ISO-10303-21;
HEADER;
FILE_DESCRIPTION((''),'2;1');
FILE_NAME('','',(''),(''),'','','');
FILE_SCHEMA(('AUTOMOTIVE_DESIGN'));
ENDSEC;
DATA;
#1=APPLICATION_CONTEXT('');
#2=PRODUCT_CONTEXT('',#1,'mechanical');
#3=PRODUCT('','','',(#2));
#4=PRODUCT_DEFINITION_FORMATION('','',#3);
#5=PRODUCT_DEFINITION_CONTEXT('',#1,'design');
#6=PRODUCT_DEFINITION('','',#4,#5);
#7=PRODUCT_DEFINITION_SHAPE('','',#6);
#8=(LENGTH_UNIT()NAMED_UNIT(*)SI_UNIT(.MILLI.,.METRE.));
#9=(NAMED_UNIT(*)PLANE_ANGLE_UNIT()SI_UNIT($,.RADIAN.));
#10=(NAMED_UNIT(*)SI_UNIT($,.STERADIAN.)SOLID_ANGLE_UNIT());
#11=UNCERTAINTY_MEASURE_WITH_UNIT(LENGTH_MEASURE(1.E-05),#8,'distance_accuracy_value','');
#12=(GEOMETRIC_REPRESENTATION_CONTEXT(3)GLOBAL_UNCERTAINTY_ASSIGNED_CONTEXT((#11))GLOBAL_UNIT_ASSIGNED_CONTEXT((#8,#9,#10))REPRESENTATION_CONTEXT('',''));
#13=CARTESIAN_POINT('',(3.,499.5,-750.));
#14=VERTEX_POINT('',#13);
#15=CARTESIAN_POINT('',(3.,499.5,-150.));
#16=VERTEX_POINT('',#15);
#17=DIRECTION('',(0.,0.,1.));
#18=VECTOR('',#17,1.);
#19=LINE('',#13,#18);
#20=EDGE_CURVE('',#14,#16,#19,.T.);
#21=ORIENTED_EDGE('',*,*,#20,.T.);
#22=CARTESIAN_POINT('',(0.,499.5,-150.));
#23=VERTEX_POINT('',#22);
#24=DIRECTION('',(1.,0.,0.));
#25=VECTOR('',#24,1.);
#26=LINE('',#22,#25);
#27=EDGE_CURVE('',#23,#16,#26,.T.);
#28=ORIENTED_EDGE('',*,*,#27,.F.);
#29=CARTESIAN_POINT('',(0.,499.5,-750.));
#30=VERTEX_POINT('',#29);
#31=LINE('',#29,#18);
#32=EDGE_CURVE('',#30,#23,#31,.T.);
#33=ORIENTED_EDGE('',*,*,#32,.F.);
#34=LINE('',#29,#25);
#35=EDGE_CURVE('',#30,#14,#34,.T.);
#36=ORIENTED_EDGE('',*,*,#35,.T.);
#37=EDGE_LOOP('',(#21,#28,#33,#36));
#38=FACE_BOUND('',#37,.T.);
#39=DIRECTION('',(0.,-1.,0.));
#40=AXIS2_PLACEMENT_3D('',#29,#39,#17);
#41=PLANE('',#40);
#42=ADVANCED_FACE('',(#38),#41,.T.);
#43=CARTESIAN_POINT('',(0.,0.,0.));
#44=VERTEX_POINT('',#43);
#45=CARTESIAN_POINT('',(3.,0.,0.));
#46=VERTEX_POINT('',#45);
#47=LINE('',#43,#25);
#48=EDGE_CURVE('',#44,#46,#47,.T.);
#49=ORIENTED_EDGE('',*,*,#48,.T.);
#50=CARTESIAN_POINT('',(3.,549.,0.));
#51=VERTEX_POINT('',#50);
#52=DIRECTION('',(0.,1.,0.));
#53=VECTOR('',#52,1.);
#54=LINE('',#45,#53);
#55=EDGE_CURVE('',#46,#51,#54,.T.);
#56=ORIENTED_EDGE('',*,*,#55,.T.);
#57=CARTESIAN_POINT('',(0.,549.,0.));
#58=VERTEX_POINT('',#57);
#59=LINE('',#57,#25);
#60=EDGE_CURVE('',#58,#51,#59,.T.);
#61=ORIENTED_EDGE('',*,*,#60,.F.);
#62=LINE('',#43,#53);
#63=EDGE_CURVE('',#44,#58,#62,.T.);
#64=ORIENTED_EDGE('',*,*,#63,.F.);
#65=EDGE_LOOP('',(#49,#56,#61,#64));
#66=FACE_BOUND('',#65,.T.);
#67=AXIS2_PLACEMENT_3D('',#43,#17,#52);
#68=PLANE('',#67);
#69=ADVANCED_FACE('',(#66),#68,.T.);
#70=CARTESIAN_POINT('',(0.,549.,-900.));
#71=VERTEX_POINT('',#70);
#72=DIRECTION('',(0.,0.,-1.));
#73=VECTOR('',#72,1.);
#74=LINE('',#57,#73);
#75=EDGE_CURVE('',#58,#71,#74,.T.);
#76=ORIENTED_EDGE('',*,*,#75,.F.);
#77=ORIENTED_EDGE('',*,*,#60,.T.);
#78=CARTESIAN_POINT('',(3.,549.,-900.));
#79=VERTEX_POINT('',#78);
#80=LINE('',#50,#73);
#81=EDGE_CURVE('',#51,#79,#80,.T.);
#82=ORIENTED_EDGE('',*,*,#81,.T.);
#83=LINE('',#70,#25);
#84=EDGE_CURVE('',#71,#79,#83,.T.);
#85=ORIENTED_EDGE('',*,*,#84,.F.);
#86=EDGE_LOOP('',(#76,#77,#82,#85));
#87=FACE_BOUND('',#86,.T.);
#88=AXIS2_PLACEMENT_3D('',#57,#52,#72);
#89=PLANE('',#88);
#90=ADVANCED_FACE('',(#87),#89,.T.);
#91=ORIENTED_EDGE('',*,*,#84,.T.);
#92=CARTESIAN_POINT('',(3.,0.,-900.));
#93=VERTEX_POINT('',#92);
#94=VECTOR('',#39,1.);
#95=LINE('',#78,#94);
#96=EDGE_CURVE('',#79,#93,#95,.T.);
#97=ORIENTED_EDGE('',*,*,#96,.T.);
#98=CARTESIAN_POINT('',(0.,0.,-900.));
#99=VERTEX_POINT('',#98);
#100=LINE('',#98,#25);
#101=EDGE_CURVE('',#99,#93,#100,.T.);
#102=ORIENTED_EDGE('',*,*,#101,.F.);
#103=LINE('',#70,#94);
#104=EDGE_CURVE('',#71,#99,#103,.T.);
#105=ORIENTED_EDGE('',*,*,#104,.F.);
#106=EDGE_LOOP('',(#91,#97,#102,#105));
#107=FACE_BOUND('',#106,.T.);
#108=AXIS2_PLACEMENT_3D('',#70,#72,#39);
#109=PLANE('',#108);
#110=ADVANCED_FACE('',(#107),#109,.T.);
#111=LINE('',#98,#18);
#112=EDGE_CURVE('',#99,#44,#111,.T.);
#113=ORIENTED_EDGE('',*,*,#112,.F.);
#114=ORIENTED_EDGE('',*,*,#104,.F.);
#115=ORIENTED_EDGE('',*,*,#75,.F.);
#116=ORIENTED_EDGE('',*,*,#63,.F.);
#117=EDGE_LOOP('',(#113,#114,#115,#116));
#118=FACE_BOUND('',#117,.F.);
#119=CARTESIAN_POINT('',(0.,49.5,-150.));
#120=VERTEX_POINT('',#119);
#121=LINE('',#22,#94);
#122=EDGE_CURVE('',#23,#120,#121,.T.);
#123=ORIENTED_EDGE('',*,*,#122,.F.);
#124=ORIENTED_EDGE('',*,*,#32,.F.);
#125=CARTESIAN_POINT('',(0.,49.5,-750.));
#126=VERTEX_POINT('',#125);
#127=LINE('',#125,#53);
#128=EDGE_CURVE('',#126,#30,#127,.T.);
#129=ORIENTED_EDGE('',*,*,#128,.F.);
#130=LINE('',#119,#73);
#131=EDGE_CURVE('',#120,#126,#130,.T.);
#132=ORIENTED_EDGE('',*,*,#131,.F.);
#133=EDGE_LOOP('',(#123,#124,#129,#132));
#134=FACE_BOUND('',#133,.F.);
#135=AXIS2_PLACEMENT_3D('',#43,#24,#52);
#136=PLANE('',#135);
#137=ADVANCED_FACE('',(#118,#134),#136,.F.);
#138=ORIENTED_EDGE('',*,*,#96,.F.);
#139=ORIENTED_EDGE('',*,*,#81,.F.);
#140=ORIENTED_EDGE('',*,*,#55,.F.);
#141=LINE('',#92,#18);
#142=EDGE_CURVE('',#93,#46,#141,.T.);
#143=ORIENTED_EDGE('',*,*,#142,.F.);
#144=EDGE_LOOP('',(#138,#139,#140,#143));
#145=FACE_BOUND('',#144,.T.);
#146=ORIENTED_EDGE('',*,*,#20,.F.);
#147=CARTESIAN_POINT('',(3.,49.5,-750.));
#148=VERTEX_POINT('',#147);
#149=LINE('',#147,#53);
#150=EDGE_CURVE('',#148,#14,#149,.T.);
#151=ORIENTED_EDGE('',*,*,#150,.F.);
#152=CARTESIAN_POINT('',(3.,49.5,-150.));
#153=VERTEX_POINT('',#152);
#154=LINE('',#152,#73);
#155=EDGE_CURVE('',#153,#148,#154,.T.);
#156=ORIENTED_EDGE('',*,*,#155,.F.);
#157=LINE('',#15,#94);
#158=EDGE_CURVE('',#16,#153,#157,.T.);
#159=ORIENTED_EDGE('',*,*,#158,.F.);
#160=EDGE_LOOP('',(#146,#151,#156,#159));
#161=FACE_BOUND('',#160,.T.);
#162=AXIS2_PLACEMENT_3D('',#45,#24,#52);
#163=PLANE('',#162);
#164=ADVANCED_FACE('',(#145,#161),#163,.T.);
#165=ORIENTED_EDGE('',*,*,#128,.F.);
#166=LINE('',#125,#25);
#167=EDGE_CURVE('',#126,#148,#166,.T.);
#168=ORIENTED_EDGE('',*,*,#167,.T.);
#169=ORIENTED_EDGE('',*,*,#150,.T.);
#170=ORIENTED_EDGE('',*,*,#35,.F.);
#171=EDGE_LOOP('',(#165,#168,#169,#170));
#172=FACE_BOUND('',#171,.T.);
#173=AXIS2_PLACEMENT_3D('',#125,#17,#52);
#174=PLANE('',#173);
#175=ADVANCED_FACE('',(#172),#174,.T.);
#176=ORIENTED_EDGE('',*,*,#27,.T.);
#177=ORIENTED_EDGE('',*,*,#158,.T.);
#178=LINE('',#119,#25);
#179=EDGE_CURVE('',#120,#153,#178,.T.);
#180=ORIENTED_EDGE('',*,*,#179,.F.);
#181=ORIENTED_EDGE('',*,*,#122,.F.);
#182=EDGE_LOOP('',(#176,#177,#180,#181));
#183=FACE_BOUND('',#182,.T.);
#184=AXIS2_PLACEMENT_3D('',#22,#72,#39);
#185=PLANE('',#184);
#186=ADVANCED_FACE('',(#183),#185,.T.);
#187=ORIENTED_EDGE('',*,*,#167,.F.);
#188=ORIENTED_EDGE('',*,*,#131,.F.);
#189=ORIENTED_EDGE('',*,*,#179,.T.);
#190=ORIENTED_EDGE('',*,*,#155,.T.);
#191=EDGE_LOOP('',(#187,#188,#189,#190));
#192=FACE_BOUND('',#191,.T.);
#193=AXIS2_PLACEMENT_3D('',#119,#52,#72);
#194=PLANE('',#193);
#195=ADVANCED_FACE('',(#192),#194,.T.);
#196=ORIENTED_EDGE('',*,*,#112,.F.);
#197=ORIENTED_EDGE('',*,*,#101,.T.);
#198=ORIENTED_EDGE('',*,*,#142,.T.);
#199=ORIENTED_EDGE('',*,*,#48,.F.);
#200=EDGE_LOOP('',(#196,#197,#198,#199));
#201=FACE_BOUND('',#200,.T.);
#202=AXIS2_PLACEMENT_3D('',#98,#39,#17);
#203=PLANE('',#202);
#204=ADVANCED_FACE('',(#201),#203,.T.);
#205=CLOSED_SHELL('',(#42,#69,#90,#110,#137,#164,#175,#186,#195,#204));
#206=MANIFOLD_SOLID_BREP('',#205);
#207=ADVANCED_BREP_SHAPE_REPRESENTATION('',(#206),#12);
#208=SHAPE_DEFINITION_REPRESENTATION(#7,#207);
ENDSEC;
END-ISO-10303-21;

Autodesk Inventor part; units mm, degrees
ref_plane "YZ Plane" through (0, 0, 0) normal (1, 0, 0) x (0, 1, 0)
ref_plane "XZ Plane" through (0, 0, 0) normal (0, 1, 0) x (-1, 0, 0)
ref_plane "XY Plane" through (0, 0, 0) normal (0, 0, 1) x (1, 0, 0)
sketch "Sketch1" plane through (0, 0, 0) normal (1, 0, 0) x (0, 1, 0)
  line L0 (0, 0) -> (549, 0)
  line L1 (549, 0) -> (549, -900)
  line L2 (549, -900) -> (0, -900)
  line L3 (0, -900) -> (0, 0)
  line L4 (499.5, -150) -> (49.5, -150)
  line L5 (49.5, -150) -> (49.5, -750)
  line L6 (49.5, -750) -> (499.5, -750)
  line L7 (499.5, -750) -> (499.5, -150)
  dimension "d0" = 549
  dimension "d1" = 900
  dimension "d2" = 600
  dimension "d3" = 450
  dimension "d4" = 49.5
  dimension "d5" = 150
extrude "Extrusion1" add sketch "Sketch1" along normal blind 3
properties part number "Frontal" material "Wood (Oak)"
